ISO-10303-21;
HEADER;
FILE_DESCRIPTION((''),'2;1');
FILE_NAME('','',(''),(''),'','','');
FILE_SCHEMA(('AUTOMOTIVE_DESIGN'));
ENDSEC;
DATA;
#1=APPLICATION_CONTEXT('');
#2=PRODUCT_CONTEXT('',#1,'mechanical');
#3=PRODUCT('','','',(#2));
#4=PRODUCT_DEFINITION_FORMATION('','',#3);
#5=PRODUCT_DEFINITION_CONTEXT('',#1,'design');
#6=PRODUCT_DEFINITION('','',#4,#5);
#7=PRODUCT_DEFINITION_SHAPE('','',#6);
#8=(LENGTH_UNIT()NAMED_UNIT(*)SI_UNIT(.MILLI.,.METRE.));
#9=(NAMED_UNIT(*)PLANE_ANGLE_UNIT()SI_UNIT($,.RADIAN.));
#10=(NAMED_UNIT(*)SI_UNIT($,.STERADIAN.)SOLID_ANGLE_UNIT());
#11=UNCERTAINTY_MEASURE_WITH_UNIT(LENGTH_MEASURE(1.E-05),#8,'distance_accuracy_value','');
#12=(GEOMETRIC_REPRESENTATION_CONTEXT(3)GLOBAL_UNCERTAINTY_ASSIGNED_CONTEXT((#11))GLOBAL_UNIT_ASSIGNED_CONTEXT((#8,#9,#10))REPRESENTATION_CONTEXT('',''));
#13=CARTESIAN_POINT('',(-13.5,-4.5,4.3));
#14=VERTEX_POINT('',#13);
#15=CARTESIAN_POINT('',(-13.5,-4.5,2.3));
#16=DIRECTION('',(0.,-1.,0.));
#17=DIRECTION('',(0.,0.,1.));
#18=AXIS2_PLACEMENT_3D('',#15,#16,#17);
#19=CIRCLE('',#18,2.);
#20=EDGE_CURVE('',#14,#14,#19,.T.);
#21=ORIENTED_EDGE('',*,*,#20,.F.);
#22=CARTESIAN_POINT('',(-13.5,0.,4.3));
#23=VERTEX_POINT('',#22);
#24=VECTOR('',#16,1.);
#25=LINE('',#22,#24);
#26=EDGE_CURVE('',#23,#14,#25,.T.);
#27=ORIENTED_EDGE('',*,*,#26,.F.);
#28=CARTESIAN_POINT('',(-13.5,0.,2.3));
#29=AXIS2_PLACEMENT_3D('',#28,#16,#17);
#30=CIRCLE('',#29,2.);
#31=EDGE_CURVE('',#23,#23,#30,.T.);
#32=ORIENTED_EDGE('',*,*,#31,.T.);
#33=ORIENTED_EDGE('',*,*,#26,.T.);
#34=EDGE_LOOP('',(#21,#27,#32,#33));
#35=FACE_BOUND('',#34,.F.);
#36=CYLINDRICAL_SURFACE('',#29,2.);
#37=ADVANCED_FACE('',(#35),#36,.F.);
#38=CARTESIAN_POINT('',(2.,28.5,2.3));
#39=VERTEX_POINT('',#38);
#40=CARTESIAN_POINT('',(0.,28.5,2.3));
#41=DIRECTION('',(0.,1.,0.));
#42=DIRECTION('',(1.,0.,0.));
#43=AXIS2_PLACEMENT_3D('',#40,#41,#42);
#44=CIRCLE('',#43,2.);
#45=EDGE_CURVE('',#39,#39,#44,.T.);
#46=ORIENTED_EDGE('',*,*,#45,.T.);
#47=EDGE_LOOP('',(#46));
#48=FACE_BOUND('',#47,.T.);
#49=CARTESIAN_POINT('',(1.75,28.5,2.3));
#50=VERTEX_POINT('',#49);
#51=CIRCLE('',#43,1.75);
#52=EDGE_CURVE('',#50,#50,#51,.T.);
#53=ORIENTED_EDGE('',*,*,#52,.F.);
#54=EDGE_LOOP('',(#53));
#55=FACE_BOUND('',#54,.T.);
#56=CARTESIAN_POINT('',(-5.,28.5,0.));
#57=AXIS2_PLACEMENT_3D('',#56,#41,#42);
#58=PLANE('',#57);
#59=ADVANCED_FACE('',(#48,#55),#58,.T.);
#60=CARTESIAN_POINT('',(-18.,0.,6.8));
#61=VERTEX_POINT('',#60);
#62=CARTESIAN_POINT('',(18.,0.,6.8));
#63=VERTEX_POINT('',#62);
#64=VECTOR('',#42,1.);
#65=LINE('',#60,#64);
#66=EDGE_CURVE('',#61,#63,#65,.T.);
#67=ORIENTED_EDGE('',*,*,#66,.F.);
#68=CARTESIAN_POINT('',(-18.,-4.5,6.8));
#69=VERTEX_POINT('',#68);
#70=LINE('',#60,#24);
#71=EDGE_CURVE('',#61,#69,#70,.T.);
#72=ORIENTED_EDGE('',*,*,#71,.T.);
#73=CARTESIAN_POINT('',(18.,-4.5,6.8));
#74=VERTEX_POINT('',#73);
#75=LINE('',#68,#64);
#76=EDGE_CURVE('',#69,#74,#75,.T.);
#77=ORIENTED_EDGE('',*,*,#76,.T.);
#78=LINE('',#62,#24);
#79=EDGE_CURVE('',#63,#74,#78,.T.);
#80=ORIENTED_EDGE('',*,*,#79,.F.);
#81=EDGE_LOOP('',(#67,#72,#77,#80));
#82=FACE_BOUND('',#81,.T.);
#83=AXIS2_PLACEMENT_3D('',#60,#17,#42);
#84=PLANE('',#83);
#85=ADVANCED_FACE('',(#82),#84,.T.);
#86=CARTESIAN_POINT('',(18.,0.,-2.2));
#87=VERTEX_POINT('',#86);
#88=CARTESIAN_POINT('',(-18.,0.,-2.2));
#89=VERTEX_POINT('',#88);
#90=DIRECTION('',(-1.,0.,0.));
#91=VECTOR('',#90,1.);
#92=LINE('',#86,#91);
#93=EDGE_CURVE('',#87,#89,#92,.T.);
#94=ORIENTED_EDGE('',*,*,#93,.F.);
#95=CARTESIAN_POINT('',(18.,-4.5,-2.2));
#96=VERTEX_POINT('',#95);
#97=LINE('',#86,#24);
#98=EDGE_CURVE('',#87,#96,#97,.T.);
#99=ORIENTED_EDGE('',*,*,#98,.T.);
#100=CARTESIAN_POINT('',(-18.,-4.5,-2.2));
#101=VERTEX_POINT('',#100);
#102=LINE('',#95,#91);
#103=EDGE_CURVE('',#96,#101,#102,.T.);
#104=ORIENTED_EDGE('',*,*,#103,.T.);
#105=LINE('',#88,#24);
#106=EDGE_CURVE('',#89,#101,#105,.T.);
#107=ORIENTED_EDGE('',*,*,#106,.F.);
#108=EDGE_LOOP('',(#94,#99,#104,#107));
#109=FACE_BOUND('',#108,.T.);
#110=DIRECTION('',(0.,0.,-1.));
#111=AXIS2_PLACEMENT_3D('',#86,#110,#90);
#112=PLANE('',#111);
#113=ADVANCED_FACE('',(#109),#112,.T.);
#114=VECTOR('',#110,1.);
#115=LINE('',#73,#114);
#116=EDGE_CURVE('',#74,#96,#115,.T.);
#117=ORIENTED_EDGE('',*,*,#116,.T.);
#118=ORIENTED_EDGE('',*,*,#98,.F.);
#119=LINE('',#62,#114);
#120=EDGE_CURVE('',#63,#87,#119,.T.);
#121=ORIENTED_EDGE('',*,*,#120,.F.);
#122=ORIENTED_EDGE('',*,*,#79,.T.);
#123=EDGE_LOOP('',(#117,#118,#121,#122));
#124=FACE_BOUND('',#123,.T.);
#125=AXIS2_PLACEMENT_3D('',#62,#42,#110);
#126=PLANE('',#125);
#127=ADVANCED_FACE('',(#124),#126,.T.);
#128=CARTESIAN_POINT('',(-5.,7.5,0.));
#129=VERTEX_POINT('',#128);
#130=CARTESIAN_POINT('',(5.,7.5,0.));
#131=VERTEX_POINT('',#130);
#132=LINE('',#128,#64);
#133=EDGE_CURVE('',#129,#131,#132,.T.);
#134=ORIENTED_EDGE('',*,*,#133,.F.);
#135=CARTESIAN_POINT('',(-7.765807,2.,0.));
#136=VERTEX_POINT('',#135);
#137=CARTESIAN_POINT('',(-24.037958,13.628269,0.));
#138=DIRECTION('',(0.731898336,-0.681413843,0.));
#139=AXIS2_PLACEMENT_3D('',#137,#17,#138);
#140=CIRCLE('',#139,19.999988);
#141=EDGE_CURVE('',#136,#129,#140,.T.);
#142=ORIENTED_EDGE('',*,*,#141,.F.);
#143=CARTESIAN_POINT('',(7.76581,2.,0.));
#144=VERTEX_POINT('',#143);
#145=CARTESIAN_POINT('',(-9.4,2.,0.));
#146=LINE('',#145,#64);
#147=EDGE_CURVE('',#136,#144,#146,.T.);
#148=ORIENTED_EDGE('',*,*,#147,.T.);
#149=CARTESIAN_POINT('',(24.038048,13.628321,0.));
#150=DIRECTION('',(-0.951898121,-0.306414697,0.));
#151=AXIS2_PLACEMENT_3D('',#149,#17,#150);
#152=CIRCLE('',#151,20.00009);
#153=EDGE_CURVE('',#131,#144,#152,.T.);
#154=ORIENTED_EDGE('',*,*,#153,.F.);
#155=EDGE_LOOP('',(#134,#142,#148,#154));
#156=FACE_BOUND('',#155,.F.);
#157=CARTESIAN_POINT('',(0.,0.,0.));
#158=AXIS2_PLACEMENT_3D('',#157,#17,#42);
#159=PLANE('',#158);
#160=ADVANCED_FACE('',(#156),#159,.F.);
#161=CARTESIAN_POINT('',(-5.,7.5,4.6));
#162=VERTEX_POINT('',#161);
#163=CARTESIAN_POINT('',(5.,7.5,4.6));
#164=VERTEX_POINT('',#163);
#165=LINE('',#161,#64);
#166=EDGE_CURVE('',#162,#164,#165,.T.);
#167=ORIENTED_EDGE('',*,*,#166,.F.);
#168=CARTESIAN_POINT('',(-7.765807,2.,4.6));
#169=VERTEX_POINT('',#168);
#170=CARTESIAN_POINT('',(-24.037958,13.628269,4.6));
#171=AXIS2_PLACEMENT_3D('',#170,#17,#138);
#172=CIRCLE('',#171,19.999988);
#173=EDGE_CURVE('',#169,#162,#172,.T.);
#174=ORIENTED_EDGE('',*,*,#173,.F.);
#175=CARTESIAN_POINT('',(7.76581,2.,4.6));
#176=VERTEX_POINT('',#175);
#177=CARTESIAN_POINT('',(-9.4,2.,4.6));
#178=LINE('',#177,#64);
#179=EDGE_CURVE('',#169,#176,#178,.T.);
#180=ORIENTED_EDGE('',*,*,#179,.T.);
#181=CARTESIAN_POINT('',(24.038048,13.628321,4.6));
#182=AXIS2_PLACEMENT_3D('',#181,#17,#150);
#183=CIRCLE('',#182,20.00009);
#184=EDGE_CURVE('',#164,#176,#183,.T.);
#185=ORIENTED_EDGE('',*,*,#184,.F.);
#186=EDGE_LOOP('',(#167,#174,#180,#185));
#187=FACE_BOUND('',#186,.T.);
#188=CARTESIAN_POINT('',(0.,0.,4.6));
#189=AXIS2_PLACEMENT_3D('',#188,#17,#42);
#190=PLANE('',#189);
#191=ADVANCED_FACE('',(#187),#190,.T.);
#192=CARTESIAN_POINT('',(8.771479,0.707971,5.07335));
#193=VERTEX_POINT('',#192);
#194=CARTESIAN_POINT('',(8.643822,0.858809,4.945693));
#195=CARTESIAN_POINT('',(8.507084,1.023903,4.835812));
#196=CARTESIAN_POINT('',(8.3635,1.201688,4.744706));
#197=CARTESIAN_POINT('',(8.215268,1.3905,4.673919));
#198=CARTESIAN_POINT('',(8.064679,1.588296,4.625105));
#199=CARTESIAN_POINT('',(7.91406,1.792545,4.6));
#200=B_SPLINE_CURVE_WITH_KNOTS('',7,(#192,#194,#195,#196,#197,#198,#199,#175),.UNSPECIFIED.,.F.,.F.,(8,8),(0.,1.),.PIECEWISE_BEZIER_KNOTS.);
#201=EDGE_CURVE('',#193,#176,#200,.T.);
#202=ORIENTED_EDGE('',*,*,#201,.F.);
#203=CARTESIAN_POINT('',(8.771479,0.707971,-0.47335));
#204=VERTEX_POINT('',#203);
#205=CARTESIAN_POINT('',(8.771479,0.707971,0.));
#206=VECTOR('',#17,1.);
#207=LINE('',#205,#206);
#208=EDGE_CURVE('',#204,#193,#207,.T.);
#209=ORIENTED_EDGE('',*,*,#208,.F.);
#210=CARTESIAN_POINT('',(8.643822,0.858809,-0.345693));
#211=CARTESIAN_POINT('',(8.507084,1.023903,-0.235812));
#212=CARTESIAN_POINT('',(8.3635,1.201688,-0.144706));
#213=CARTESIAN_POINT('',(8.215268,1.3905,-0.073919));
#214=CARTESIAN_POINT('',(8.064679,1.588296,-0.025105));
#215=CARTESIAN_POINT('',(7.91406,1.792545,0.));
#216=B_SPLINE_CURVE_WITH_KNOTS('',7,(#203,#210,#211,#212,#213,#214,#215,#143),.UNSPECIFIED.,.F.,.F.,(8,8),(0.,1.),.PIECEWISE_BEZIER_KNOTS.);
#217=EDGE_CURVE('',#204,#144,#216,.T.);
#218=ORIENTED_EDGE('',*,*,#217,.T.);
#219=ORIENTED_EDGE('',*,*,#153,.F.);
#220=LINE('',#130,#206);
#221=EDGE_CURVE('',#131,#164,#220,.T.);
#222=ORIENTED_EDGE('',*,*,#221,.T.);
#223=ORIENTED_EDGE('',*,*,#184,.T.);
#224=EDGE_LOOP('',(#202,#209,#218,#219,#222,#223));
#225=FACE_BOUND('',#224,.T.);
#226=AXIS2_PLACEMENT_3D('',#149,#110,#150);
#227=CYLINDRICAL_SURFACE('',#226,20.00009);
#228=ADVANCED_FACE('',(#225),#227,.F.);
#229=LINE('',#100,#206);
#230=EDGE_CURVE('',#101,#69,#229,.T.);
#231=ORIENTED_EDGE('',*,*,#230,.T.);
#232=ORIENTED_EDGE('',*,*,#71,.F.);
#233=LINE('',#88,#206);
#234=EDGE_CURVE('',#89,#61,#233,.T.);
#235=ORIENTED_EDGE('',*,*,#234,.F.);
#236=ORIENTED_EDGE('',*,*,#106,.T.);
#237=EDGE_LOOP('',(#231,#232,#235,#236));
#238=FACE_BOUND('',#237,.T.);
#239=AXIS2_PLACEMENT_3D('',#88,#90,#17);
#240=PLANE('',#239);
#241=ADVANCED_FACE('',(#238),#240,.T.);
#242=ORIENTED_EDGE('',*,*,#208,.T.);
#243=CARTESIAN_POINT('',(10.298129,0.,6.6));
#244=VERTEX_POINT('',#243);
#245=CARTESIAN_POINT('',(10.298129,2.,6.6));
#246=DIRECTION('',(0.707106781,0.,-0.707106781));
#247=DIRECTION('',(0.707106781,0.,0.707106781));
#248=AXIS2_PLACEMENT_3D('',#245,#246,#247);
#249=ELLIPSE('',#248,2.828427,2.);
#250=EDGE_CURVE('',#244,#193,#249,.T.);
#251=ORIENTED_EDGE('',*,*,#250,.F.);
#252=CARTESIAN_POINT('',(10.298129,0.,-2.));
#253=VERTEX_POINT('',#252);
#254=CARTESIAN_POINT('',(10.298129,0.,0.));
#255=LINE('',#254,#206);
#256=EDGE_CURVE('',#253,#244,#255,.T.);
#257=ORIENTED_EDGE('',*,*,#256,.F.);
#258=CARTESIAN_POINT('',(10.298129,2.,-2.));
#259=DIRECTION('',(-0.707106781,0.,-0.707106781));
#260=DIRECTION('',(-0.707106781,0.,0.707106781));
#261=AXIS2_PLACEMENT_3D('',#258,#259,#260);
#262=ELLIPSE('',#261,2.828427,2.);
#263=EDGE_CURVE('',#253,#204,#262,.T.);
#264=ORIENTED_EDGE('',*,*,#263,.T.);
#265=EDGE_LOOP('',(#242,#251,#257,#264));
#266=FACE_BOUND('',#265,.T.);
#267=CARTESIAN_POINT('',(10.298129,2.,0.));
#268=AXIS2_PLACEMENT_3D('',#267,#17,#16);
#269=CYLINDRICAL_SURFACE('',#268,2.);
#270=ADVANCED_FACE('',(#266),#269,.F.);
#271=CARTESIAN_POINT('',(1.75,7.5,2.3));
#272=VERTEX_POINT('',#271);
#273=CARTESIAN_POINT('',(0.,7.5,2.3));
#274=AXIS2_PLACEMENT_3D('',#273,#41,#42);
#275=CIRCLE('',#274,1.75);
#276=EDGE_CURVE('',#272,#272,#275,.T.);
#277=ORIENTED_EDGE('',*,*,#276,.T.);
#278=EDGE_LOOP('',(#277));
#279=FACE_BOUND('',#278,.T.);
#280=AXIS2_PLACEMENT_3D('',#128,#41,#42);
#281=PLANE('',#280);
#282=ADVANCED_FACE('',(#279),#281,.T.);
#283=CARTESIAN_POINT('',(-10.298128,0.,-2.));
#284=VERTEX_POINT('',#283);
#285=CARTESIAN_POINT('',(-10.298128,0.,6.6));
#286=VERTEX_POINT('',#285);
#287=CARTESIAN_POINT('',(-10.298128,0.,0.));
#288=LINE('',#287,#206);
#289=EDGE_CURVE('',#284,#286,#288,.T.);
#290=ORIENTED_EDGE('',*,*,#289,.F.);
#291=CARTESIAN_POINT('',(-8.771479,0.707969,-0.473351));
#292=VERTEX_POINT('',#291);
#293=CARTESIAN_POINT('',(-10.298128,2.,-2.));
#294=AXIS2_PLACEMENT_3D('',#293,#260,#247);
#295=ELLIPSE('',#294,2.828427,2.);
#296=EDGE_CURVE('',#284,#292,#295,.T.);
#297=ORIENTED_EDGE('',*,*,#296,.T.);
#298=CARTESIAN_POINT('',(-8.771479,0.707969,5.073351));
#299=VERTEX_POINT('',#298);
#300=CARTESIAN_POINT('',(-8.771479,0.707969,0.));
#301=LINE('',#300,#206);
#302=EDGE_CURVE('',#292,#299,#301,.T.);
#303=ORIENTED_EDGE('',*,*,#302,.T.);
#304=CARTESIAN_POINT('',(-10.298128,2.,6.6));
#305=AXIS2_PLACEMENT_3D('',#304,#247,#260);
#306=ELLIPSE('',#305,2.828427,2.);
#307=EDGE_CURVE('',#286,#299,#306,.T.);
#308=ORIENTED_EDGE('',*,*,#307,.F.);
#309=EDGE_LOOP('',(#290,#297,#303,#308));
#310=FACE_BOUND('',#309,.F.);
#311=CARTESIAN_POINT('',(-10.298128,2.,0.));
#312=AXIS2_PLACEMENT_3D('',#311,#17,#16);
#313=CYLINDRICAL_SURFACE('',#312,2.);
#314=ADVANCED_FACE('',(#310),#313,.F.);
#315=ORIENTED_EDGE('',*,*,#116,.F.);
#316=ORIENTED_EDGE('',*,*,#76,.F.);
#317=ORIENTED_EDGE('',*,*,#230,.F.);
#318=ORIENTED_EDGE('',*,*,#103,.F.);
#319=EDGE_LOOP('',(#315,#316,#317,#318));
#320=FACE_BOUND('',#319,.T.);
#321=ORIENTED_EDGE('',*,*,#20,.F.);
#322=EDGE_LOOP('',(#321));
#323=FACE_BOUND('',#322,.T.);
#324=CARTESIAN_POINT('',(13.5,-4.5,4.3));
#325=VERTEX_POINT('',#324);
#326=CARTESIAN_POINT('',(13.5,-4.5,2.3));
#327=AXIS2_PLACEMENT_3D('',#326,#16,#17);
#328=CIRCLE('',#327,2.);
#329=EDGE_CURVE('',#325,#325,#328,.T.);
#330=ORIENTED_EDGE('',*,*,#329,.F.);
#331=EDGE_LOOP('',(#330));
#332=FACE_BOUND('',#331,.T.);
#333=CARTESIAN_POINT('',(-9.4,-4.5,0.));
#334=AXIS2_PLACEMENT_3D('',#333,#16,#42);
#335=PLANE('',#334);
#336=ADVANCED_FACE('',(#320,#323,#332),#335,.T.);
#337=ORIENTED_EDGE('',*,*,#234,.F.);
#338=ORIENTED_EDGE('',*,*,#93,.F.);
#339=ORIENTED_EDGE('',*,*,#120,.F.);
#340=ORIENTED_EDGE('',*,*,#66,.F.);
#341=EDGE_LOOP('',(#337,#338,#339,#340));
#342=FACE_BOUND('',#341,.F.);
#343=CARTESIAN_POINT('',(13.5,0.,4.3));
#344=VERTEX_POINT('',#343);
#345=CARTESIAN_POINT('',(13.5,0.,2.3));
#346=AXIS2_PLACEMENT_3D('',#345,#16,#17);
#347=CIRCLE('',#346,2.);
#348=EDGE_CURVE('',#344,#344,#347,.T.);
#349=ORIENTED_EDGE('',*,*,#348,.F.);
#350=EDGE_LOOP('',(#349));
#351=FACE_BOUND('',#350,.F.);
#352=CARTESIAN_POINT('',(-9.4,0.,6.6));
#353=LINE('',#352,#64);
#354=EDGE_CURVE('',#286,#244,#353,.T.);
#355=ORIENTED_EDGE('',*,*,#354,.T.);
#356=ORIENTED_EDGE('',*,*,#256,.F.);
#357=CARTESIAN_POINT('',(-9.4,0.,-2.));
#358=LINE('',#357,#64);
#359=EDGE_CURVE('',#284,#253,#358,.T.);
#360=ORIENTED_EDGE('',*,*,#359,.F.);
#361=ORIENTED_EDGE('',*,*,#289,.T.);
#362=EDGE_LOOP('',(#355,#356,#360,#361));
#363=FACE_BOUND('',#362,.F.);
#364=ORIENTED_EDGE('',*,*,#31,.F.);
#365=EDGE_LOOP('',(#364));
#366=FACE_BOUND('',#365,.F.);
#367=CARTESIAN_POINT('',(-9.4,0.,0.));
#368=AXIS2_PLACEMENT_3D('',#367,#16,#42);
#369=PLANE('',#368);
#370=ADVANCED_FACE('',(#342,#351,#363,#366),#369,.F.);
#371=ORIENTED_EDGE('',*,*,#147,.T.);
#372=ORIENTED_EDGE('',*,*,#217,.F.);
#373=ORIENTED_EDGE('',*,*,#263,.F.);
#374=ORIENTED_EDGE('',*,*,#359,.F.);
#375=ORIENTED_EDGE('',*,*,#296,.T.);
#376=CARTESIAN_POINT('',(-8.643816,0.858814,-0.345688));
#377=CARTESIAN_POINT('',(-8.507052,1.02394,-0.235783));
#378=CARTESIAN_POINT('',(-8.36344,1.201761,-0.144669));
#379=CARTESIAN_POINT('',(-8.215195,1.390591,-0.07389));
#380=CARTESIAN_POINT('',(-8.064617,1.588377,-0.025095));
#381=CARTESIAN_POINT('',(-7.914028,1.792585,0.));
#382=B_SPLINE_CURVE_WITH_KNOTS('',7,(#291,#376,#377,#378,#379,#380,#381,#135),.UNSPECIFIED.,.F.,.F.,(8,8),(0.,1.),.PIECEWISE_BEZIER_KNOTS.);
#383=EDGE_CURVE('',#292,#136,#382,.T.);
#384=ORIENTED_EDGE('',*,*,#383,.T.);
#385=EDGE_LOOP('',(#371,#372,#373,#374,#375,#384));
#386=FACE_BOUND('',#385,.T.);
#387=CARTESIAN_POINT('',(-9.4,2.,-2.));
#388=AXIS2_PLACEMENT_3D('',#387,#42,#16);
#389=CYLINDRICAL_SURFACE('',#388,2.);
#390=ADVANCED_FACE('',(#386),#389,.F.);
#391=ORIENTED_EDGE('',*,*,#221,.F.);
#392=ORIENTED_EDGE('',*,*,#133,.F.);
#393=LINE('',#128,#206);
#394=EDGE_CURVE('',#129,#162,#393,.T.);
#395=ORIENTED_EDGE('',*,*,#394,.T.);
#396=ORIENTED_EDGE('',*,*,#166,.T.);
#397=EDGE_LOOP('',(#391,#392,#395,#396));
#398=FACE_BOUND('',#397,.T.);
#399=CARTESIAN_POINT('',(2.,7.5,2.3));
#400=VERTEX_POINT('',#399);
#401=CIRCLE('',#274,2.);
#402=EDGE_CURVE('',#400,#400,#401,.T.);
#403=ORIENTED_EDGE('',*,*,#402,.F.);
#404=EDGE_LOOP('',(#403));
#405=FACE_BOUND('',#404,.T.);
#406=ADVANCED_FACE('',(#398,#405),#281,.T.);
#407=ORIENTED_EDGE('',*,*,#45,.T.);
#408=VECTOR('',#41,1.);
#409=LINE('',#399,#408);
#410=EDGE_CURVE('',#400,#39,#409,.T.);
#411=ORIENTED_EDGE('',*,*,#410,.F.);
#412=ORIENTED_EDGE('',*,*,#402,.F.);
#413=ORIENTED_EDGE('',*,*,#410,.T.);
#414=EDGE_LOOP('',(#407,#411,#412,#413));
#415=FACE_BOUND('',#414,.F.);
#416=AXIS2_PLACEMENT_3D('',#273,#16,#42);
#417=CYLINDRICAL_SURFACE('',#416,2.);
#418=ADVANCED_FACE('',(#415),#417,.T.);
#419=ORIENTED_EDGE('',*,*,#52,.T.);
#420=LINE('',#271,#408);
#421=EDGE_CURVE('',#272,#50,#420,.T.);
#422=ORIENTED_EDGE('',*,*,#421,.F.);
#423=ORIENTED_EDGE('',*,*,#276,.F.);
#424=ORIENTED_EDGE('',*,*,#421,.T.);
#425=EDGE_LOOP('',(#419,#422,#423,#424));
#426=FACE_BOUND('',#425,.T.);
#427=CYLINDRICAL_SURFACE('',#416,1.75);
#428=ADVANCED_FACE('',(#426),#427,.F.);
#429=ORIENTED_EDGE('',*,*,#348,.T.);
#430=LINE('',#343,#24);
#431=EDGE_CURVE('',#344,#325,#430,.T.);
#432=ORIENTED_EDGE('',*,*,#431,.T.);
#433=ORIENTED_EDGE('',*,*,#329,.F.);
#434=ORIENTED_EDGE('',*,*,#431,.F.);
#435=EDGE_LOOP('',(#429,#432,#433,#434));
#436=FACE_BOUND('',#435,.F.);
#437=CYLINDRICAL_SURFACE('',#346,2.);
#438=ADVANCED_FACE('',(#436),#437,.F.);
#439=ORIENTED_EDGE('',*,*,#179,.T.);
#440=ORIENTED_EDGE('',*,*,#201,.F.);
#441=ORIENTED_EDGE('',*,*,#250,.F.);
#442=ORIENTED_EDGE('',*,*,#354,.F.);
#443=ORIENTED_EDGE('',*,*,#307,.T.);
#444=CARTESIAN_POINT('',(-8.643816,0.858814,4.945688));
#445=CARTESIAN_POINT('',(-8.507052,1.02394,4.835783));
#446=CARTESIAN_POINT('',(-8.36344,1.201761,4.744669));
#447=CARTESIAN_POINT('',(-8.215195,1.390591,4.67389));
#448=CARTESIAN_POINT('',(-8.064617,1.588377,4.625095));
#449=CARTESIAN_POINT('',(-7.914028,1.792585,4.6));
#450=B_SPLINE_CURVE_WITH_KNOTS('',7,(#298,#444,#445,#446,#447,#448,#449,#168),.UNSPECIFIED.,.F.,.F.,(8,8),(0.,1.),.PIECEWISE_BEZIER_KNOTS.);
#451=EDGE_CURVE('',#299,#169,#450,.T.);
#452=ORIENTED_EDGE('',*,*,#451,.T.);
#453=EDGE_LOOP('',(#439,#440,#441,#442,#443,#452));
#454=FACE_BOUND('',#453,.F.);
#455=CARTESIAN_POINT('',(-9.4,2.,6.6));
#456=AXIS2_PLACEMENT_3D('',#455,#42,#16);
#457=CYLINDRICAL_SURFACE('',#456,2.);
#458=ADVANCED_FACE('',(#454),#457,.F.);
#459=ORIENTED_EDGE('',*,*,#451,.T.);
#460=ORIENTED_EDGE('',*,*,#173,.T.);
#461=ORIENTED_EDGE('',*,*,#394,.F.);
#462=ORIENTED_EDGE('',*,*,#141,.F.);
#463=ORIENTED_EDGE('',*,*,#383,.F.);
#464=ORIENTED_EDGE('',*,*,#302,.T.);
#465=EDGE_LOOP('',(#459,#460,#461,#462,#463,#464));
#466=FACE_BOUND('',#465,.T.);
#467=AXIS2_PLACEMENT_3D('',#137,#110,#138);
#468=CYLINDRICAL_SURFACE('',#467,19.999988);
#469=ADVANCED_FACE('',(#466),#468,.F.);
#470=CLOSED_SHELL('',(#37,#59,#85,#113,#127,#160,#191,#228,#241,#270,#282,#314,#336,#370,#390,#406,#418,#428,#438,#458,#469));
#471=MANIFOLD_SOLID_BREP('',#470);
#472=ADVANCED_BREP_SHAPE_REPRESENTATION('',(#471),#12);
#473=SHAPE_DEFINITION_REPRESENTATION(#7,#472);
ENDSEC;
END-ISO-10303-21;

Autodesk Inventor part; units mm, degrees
ref_plane "YZ Plane" through (0, 0, 0) normal (1, 0, 0) x (0, 1, 0)
ref_plane "XZ Plane" through (0, 0, 0) normal (0, 1, 0) x (-1, 0, 0)
ref_plane "XY Plane" through (0, 0, 0) normal (0, 0, 1) x (1, 0, 0)
sketch "Sketch1" plane through (0, 0, 0) normal (0, 0, 1) x (1, 0, 0)
  line L0 (0, 114) -> (0, -114) construction
  line L1 (-9.4, 0) -> (9.4, 0)
  line L2 (-5, 7.5) -> (5, 7.5)
  arc A0 (-9.4, 0) -> (-5, 7.5) centre (-24.038, 13.6283) ccw
  arc A1 (5, 7.5) -> (9.4, 0) centre (24.038, 13.6283) ccw
  point P0 (0, 0)
  point P1 (0, 0)
  point P2 (0, 7.5)
  dimension "d9" = 18.8
  dimension "d10" = 10
  dimension "d11" = 7.5
  dimension "d13" = 20
extrude "Extrusion1" add sketch "Sketch1" along normal blind 4.6
sketch "Sketch2" plane through (-9.4, 0, 0) normal (0, -1, 0) x (1, 0, 0)
  line L0 (-8.6, 6.8) -> (27.4, 6.8)
  line L1 (27.4, 6.8) -> (27.4, -2.2)
  line L2 (27.4, -2.2) -> (-8.6, -2.2)
  line L3 (-8.6, -2.2) -> (-8.6, 6.8)
  line L4 (0, 4.6) -> (18.8, 4.6) projected
  line L5 (0, 0) -> (18.8, 0) projected
  line L6 (0, 0) -> (0, 4.6) projected
  line L7 (18.8, 0) -> (18.8, 4.6) projected
  point P0 (9.4, 0)
  point P1 (0, 2.3)
  dimension "d16" = 36
  dimension "d17" = 9
  dimension "d18" = 2.2
  dimension "d19" = 2.2
  dimension "d20" = 8.6
  dimension "d21" = 8.6
extrude "Extrusion2" add sketch "Sketch2" along normal blind 4.5 contours L0 L1 L2 L3 | L4 L7 L5 L6
fillet "Fillet1" radius 2 4 edges at (0, 0, 4.6) (9.4, 0, 2.3) (0, 0, 0) (-9.4, 0, 2.3)
sketch "Sketch3" plane through (-5, 7.5, 0) normal (0, 1, 0) x (1, 0, 0)
  circle A0 centre (5, -2.3) radius 2
  circle A1 centre (5, -2.3) radius 1.75
  line L0 (10, -4.6) -> (0, -4.6) projected
  line L1 (10, 0) -> (0, 0) projected
  line L2 (0, 0) -> (0, -4.6) projected
  point P0 (5, 0)
  dimension "d25" = 4
  dimension "d26" = 3.5
  dimension "d27" = 2.3
  dimension "d28" = 2.3
  dimension "d29" = 5
extrude "Extrusion3" add sketch "Sketch3" along normal blind 21
sketch "Sketch4" plane through (-9.4, 0, 0) normal (0, 1, 0) x (1, 0, 0)
  circle A0 centre (-4.1, -2.3) radius 2
  circle A1 centre (22.9, -2.3) radius 2
  line L0 (-8.6, 2.2) -> (27.4, 2.2) projected
  circle A2 centre (9.4, -2.3) radius 1.75 projected
  circle A3 centre (9.4, -2.3) radius 2 projected
  circle A4 centre (9.4, -2.3) radius 1.75 projected
  circle A5 centre (9.4, -2.3) radius 1.75
  point P0 (9.4, 0)
  dimension "d32" = 4
  dimension "d33" = 4
  dimension "d34" = 4.5
  dimension "d35" = 4.5
  dimension "d36" = 3.5
  dimension "d37" = 13.5
  dimension "d38" = 13.5
hole "Hole1" at (-13.5, 0, 2.3) at (13.5, 0, 2.3) direction (0, -1, 0) diameter 4 end through all
equation "\"d38\" = d37"
properties part number "HUDSON-1-12 LEAFSPING SOLID EQUALISER"
